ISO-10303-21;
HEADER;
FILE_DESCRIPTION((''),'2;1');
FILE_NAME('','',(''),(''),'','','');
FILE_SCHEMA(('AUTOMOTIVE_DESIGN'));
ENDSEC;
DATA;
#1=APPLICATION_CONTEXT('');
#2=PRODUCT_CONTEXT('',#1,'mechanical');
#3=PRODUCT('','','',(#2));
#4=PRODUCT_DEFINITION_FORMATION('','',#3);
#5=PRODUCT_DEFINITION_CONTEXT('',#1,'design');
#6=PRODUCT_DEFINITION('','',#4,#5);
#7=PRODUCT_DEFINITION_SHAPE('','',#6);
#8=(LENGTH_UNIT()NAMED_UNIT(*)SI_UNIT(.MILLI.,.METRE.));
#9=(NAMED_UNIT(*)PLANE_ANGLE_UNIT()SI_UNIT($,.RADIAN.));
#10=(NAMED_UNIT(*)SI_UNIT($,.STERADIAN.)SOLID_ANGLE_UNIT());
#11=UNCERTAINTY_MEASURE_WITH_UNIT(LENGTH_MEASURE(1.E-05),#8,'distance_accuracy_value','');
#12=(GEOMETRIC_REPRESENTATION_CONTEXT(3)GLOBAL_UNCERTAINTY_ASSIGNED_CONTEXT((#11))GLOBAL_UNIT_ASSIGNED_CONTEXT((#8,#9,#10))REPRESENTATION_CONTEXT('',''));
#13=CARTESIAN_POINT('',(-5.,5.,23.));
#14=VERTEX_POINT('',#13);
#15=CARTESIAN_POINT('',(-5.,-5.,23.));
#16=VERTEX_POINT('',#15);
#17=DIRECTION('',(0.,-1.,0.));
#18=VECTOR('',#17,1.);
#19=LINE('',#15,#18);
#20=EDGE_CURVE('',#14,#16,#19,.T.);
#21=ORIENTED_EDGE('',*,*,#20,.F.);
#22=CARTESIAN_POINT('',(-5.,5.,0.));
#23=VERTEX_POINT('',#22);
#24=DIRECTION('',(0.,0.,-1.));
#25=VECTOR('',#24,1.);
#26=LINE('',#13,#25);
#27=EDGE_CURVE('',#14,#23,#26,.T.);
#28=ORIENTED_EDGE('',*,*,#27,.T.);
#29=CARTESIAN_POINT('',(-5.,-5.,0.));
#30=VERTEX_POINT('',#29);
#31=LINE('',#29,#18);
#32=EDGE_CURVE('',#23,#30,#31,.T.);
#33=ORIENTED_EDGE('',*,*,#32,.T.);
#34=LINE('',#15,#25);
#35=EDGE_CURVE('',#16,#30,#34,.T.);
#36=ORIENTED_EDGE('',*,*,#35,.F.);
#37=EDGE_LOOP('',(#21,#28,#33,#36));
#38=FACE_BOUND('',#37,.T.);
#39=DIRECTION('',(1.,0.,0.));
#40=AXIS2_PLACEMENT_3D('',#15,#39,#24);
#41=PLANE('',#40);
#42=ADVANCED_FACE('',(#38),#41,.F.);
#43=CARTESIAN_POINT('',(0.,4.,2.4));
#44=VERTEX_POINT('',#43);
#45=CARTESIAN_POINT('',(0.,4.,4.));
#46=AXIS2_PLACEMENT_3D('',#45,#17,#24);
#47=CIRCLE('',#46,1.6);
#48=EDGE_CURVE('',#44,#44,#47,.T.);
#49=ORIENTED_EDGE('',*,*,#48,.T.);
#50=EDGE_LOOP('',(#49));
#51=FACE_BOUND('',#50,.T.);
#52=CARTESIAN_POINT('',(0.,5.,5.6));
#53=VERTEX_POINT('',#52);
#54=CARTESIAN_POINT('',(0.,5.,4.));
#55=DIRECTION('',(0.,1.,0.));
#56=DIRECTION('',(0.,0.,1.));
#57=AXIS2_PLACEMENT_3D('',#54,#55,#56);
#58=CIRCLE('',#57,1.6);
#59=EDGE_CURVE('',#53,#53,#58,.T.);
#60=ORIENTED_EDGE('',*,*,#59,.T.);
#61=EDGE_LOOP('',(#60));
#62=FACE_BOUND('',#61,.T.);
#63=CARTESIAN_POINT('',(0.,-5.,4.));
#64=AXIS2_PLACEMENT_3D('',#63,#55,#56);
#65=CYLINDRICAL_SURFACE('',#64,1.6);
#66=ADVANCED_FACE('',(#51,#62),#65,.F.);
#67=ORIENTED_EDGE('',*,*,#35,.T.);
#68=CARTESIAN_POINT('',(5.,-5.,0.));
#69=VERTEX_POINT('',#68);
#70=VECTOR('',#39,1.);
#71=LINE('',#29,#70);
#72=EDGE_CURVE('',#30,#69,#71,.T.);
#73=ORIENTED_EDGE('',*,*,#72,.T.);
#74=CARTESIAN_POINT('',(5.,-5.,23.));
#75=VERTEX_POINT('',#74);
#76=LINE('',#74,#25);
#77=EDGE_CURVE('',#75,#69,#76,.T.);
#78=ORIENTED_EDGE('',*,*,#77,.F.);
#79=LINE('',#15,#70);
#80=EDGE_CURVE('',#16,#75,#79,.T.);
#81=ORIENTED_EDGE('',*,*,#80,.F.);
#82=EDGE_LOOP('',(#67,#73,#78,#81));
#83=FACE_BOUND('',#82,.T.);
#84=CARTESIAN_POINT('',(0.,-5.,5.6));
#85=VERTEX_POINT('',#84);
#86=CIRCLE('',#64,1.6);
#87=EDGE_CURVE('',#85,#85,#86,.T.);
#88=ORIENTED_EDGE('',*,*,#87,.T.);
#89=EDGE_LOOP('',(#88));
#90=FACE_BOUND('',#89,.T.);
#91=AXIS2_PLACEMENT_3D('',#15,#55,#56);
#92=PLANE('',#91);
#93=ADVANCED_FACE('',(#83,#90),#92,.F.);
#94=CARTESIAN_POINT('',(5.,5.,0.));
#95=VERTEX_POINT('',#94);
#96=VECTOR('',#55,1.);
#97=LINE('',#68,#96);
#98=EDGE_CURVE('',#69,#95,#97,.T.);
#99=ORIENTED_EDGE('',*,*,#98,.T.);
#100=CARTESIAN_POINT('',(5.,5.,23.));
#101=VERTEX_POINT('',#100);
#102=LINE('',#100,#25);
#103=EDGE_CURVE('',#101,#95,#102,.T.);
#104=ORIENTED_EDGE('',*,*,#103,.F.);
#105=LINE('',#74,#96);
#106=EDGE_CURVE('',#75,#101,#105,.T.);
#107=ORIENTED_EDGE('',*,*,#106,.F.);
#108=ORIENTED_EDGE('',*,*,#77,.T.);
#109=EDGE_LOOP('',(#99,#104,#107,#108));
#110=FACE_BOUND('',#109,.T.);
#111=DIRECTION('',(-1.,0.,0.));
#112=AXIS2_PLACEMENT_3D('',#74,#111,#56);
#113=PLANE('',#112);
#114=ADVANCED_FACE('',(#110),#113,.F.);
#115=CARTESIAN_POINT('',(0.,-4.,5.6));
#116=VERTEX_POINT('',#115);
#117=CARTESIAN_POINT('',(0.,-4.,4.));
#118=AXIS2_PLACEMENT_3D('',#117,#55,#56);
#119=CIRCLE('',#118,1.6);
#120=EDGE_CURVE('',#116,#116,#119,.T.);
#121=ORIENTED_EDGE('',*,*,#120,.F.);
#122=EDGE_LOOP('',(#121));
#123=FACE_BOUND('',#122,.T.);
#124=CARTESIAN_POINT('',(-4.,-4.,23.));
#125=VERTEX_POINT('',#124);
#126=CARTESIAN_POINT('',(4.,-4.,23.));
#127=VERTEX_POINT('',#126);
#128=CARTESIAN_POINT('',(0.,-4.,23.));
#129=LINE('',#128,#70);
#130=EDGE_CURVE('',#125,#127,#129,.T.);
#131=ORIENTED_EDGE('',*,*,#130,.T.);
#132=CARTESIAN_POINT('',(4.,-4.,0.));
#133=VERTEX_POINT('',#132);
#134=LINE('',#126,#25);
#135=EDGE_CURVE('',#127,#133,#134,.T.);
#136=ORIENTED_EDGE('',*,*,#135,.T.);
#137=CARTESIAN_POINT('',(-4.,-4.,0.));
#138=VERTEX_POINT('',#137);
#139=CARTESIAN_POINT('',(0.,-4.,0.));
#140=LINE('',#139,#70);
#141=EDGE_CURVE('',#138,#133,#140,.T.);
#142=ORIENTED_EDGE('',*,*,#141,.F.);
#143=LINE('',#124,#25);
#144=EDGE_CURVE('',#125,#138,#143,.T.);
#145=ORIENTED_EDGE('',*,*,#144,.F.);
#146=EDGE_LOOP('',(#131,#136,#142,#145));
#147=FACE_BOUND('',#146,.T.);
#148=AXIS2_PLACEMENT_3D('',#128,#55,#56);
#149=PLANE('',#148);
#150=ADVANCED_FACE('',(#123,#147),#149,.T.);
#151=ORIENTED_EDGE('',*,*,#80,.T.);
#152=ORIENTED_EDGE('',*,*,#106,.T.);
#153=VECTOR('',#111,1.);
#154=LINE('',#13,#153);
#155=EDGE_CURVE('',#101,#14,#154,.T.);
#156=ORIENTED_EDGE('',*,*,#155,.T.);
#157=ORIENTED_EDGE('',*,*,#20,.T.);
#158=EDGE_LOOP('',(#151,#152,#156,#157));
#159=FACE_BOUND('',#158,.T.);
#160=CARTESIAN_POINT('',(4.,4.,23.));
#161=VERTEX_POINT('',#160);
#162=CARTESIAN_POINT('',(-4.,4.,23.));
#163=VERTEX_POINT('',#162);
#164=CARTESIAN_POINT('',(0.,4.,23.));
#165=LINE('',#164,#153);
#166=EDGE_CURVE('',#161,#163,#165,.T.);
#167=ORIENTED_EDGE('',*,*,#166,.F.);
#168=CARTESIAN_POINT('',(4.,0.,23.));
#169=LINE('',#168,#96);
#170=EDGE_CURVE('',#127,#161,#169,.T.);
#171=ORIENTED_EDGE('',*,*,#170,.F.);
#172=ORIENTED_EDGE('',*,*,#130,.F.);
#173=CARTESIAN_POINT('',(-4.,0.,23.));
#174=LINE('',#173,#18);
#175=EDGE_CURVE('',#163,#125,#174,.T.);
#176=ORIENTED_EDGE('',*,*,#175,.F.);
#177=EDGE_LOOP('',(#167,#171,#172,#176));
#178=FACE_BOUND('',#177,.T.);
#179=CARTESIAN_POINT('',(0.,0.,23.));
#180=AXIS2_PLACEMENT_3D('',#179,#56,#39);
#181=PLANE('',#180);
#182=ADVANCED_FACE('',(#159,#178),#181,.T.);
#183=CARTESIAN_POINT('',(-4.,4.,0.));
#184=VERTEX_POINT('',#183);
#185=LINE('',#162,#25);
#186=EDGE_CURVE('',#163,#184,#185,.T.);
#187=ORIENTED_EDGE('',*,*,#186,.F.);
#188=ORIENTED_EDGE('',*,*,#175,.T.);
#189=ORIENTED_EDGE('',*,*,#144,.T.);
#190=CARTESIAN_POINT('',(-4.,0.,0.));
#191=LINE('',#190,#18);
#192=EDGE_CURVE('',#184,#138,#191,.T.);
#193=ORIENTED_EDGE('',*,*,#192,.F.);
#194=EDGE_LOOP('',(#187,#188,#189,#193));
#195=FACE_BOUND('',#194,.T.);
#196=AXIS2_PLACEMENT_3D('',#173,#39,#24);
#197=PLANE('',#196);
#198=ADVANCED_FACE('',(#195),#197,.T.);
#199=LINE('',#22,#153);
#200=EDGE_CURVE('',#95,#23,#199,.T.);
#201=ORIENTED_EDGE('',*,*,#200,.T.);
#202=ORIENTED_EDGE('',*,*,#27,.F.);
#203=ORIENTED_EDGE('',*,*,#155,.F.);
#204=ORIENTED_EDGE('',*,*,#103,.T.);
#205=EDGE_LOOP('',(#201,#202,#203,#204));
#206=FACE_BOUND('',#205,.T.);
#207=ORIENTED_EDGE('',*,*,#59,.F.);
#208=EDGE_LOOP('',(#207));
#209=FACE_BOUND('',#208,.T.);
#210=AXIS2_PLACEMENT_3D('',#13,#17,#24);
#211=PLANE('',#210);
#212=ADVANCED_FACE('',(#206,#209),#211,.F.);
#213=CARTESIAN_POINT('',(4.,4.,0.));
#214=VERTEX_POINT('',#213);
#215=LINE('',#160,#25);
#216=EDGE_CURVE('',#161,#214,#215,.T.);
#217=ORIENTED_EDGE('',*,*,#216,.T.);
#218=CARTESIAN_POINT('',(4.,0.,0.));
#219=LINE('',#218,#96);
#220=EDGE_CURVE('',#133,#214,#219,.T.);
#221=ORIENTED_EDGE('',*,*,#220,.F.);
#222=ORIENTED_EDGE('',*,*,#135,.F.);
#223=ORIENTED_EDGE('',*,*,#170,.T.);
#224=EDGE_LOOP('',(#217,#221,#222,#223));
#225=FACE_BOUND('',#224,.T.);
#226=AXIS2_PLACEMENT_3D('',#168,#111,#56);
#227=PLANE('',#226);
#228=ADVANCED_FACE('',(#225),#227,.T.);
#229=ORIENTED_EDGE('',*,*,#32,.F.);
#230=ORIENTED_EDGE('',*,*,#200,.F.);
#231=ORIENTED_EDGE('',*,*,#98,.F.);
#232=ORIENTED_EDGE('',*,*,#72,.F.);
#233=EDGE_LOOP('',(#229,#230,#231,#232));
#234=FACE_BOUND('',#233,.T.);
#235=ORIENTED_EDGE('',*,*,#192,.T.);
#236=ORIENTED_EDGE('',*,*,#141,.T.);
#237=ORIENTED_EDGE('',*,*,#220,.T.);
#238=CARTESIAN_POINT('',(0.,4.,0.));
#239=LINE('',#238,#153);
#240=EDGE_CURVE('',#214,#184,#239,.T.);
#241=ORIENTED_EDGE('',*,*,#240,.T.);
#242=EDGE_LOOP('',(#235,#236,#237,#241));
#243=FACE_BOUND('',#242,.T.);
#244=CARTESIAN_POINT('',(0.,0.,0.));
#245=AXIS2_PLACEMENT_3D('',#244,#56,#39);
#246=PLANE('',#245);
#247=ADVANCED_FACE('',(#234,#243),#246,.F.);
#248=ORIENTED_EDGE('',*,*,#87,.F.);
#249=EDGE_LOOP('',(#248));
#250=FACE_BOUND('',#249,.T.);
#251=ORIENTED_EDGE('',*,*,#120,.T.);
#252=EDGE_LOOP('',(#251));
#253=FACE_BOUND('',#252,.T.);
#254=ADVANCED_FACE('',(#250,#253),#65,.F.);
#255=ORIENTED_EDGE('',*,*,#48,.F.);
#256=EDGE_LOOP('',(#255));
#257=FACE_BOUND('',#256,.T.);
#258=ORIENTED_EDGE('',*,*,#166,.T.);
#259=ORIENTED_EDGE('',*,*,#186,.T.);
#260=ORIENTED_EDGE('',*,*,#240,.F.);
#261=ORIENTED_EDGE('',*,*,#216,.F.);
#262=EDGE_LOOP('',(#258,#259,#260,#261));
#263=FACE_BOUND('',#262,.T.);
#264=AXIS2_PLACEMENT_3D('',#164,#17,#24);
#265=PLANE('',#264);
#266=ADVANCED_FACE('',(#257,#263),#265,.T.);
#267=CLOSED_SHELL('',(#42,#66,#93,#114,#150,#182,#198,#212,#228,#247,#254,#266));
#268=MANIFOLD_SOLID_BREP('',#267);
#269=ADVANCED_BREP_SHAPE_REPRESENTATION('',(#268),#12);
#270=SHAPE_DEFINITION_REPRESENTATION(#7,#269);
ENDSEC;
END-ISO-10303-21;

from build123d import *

# Parameters (mm, degrees)
SKETCH_281_W          = 10
SKETCH_281_H          = 10
SKETCH_281_W_2        = 8
SKETCH_281_H_2        = 8
EXTRUDE_338_DEPTH     = 23
SKETCH_410_R          = 1.6
CUT_EXTRUDE_739_DEPTH = 26.573423705


with BuildPart() as part:
    # Sketch 281 → Extrude 338 (new body)
    with BuildSketch(Plane.XY):
        Rectangle(SKETCH_281_W, SKETCH_281_H)
        Rectangle(SKETCH_281_W_2, SKETCH_281_H_2, mode=Mode.SUBTRACT)
    extrude(amount=EXTRUDE_338_DEPTH)

    # Sketch 410 → Cut-Extrude 739 (cut, through all)
    with BuildSketch(Plane(origin=(0, 5, 0), x_dir=(1, 0, 0), z_dir=(0, 1, 0))):
        with Locations(Location((0, -4, 0), (0, 0, 270))):
            Circle(SKETCH_410_R)
    extrude(amount=-CUT_EXTRUDE_739_DEPTH, mode=Mode.SUBTRACT)


solid = part.part
